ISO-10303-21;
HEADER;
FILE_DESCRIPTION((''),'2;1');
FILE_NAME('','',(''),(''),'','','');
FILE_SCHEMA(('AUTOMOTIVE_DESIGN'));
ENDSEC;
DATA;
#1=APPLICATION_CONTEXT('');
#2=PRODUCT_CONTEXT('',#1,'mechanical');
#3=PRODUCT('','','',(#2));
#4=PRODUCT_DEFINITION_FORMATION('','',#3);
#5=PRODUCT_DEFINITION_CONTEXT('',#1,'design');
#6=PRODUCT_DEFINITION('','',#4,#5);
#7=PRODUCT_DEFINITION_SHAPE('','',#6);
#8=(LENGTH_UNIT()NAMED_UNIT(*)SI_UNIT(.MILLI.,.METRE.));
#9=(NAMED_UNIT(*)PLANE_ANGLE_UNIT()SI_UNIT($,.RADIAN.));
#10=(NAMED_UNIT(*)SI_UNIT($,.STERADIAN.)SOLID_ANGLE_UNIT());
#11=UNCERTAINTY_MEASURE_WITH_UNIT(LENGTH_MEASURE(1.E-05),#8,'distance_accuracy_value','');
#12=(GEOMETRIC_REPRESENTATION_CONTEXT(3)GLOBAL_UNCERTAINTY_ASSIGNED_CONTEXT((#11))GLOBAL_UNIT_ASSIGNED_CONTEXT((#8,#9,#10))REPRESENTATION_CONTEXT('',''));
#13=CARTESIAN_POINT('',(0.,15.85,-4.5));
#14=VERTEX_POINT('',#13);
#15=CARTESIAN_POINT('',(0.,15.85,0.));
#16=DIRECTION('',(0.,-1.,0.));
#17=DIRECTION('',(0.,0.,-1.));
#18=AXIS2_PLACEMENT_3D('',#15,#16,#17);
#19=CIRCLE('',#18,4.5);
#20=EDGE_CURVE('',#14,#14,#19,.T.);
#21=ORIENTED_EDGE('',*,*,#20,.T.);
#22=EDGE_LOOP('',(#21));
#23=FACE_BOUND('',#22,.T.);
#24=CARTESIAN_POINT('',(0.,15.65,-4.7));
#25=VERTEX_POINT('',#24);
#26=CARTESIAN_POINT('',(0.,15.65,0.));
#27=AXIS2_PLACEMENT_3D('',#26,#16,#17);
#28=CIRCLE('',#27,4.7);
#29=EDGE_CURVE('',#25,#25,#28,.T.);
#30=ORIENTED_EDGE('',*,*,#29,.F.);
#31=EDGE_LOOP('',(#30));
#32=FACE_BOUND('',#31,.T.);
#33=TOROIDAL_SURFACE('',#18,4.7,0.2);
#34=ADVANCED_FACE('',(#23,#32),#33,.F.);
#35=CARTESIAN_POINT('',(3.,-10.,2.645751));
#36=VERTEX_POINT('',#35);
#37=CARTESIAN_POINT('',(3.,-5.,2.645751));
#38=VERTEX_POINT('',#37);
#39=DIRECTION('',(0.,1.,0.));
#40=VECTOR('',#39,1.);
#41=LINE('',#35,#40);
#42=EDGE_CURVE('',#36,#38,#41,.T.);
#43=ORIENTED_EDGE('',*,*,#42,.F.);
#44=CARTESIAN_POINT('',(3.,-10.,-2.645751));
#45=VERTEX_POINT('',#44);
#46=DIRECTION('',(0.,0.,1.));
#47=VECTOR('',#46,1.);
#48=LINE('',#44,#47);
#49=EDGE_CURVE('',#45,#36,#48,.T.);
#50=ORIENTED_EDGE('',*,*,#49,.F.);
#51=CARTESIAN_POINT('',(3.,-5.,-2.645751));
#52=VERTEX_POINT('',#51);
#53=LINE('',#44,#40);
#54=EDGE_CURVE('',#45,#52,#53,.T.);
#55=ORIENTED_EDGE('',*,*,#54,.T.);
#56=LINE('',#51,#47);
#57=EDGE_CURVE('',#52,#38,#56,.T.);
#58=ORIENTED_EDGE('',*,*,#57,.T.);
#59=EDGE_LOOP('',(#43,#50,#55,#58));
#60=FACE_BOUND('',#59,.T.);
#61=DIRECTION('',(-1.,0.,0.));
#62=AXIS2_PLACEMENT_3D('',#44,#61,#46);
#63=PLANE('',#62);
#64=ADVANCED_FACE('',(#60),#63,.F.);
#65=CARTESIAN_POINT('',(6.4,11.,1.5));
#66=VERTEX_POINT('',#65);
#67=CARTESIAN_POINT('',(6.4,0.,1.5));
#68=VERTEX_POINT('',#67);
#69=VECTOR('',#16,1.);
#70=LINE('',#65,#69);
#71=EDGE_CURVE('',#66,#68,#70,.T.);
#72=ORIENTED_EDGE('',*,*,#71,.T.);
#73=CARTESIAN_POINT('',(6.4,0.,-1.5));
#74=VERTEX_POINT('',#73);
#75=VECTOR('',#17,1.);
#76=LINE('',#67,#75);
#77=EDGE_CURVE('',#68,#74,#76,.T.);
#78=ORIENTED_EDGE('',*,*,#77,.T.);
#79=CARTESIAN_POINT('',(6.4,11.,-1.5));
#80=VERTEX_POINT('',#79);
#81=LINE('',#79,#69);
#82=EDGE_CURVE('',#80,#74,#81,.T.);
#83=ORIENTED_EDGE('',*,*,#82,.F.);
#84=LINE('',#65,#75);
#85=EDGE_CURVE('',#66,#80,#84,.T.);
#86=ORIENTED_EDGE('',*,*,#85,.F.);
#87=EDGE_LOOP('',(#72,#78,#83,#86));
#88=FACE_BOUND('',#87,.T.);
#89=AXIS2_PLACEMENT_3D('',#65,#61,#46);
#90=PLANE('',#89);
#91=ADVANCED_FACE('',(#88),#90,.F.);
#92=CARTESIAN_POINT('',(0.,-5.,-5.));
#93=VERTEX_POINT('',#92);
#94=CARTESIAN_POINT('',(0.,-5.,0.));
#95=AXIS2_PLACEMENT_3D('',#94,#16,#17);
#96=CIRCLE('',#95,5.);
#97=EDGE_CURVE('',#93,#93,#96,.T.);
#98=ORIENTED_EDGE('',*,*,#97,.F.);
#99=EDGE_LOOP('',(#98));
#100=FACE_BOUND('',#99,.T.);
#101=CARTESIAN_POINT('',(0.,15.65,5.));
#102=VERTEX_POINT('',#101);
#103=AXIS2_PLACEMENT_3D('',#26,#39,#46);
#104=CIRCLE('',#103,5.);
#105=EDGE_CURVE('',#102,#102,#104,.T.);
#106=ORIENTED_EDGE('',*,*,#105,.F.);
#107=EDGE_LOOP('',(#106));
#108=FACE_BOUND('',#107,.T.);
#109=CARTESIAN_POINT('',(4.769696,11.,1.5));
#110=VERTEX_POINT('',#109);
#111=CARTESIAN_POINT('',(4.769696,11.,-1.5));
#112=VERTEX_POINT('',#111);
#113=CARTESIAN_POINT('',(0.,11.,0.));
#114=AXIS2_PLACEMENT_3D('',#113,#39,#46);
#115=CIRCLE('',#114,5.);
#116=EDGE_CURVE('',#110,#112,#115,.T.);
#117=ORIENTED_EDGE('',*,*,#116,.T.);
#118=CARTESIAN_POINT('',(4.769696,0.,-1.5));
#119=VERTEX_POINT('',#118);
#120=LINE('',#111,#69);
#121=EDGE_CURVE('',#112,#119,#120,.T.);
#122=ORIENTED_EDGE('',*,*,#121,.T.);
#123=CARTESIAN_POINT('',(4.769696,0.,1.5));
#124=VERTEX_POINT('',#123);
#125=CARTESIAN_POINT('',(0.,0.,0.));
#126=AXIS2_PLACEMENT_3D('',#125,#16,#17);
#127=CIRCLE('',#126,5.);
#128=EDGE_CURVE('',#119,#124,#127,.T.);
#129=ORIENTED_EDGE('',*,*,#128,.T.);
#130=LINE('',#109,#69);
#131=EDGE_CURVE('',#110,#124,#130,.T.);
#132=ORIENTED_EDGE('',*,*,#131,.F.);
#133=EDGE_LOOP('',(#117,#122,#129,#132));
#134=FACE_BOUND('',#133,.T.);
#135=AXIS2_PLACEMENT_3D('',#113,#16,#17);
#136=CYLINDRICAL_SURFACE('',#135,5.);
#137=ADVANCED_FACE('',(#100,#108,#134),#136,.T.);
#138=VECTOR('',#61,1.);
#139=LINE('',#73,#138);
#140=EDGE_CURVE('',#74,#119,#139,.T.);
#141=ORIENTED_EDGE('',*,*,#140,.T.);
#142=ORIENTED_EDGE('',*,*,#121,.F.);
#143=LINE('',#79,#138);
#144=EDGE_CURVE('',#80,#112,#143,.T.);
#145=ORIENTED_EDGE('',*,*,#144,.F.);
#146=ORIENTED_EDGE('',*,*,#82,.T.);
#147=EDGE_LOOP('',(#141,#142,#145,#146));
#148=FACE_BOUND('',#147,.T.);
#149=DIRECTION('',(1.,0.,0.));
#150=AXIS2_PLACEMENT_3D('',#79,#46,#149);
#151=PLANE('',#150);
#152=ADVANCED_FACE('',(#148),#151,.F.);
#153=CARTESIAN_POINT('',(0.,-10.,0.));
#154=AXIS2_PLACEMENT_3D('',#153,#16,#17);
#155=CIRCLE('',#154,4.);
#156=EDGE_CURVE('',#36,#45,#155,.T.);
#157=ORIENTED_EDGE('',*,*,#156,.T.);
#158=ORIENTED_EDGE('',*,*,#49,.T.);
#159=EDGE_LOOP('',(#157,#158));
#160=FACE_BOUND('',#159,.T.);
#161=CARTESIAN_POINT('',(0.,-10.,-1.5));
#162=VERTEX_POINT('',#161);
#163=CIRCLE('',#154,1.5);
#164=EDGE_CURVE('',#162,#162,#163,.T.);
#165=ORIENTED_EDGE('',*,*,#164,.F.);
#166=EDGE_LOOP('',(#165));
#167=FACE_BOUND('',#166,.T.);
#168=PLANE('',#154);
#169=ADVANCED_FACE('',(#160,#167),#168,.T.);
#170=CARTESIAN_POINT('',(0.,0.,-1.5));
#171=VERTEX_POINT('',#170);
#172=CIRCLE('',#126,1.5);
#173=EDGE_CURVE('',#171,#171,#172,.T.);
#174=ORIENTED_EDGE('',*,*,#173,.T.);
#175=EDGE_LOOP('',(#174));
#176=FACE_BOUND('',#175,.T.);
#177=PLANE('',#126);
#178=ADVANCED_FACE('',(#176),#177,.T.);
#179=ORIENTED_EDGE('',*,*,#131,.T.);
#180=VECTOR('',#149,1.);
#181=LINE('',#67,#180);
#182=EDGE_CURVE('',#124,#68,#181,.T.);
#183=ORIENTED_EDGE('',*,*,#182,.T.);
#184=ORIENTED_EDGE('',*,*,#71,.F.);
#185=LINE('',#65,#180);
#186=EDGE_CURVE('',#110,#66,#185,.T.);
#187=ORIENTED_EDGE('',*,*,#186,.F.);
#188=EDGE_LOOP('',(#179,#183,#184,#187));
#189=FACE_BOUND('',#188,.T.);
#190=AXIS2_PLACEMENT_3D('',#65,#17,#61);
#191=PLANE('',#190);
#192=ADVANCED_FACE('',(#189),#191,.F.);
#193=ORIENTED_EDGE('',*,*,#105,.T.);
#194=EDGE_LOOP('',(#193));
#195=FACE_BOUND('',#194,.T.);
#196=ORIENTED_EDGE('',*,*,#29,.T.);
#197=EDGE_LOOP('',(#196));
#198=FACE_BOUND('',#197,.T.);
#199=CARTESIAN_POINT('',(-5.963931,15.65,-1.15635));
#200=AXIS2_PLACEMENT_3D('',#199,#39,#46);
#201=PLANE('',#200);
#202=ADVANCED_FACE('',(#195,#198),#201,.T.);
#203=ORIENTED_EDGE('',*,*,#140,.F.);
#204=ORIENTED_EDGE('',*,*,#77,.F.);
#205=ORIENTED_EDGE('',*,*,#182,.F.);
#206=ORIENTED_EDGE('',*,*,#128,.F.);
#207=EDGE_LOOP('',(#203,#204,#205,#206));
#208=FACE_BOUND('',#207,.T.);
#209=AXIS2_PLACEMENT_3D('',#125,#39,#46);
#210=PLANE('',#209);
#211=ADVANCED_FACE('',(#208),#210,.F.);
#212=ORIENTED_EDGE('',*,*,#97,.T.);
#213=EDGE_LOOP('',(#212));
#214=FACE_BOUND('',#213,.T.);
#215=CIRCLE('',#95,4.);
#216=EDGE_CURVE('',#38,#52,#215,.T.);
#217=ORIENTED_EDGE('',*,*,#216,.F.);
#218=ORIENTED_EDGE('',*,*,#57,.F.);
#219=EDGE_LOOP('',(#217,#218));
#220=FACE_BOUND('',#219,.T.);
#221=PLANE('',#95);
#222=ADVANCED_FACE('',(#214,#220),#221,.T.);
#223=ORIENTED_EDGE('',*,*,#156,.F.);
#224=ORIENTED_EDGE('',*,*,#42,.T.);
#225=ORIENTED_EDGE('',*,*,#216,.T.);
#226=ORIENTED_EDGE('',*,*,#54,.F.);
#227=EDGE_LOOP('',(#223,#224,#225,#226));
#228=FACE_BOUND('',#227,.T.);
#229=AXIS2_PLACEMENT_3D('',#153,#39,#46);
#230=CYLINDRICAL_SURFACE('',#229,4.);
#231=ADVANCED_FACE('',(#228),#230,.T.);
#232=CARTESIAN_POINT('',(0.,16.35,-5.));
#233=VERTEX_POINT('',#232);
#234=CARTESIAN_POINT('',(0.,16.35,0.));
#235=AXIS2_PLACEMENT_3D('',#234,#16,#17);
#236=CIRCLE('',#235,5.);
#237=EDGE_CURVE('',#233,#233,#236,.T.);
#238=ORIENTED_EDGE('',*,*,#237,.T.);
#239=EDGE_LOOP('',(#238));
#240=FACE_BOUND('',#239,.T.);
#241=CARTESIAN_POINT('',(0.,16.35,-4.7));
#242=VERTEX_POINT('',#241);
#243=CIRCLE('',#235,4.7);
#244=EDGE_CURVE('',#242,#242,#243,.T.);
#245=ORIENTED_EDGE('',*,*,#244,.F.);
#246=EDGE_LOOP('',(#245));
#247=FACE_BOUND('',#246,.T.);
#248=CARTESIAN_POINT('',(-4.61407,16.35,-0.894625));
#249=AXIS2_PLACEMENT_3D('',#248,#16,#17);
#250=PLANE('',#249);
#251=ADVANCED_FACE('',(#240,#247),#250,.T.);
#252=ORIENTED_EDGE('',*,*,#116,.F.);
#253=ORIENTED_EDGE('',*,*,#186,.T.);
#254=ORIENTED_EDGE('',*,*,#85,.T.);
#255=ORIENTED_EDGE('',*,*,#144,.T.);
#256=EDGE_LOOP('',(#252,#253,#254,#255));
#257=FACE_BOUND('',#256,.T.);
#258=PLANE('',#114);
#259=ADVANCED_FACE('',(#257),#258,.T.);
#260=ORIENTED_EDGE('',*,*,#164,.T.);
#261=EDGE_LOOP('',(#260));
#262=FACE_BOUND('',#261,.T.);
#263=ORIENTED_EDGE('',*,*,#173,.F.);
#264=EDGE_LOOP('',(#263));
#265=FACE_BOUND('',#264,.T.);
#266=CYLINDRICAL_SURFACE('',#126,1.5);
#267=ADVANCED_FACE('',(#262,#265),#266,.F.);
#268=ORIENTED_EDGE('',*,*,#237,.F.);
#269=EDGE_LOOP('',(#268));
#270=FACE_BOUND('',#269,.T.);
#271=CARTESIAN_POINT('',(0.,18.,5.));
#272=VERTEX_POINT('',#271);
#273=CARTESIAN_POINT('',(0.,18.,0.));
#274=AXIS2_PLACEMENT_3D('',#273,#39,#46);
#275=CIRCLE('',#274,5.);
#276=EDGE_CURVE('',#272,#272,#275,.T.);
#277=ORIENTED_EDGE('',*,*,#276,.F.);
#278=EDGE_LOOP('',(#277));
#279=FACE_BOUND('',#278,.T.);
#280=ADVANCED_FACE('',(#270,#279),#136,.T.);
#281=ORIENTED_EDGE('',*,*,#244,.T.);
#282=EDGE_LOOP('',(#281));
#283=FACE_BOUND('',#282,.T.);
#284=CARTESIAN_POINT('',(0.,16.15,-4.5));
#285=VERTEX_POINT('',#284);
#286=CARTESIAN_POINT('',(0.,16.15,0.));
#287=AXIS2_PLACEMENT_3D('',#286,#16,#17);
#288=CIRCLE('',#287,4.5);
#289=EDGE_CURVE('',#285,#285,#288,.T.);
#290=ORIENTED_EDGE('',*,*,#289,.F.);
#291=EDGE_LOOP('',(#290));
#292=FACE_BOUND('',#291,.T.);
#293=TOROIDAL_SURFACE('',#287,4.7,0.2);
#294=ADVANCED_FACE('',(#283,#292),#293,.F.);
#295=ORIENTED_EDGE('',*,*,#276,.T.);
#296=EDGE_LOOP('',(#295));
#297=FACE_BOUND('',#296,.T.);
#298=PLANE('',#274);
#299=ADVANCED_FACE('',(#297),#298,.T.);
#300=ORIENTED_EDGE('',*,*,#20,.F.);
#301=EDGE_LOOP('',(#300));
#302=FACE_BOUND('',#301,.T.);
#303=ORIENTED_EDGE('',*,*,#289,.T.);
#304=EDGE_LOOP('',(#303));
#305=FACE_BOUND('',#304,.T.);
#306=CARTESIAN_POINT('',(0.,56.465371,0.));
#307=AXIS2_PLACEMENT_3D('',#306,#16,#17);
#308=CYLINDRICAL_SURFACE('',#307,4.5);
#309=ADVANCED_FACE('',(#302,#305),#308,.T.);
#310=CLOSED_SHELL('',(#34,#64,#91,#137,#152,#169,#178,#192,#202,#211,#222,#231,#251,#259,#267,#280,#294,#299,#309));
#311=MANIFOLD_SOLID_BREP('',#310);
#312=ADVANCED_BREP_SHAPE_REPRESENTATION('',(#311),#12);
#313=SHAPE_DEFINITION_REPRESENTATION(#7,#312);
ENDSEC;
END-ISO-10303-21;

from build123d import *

# Parameters (mm, degrees)
BOSS_EXTRUDE1_DEPTH = 11
SKETCH2_R           = 5
BOSS_EXTRUDE2_DEPTH = 7
BOSS_EXTRUDE3_START = 5
SKETCH3_R           = 5
BOSS_EXTRUDE3_DEPTH = 5
SKETCH4_R           = 1.5
CUT_EXTRUDE1_DEPTH  = 5
BOSS_EXTRUDE4_START = 5
SKETCH5_R           = 1.5
BOSS_EXTRUDE4_DEPTH = 5


with BuildPart() as part:
    # Sketch1 → Boss-Extrude1 (new body)
    with BuildSketch(Plane(origin=(0, 0, 0), x_dir=(1, 0, 0), z_dir=(0, 1, 0))):
        with BuildLine():
            Line((6.4, -1.5), (6.4, 1.5))
            Line((6.4, 1.5), (4.769696007, 1.5))
            ThreePointArc((4.769696007, 1.5), (-5, 0), (4.769696007, -1.5))
            Line((4.769696007, -1.5), (6.4, -1.5))
        make_face()
    extrude(amount=BOSS_EXTRUDE1_DEPTH)

    # Sketch2 → Boss-Extrude2 (add)
    with BuildSketch(Plane(origin=(0, 11, 0), x_dir=(1, 0, 0), z_dir=(0, 1, 0))):
        with Locations(Location((0, 0, 0), (0, 0, 17.457603124))):
            Circle(SKETCH2_R)
    extrude(amount=BOSS_EXTRUDE2_DEPTH)

    # Sketch3 → Boss-Extrude3 (add)
    with BuildSketch(Plane.XZ.offset(BOSS_EXTRUDE3_START)):
        with Locations(Location((0, 0, 0), (0, 0, 270))):
            Circle(SKETCH3_R)
    extrude(amount=-BOSS_EXTRUDE3_DEPTH)

    # Sketch4 → Cut-Extrude1 (cut)
    with BuildSketch(Plane.XZ.offset(5)):
        with Locations(Location((0, 0, 0), (0, 0, 270))):
            Circle(SKETCH4_R)
    extrude(amount=-CUT_EXTRUDE1_DEPTH, mode=Mode.SUBTRACT)

    # Groove Sketch → Retaining Ring Groove (revolve, cut)
    with BuildSketch(Plane(origin=(2.625078192, 11.422429342, 0.508978061), x_dir=(-0.8829601883454016, 0.43711857808393034, -0.17119770585768931), z_dir=(-0.19034574864175483, 0, 0.9817171160645056)), mode=Mode.PRIVATE) as retaining_ring_groove_sk:
        with BuildLine():
            Line((8.786106351, -1.208578661), (10.022786693, -0.607540616))
            Line((10.022786693, -0.607540616), (9.716803689, 0.022042104))
            Line((9.716803689, 0.022042104), (8.480123346, -0.578995941))
            ThreePointArc((8.480123346, -0.578995941), (8.378534243, -0.693499703), (8.387666285, -0.846300434))
            Line((8.387666285, -0.846300434), (8.518801858, -1.116121599))
            ThreePointArc((8.518801858, -1.116121599), (8.63330562, -1.217710703), (8.786106351, -1.208578661))
        make_face()
    revolve(retaining_ring_groove_sk.sketch.rotate(Axis((0, 56.465370667, 0), (0, -1, 0)), 79.027037624), axis=Axis((0, 56.465370667, 0), (0, -1, 0)), mode=Mode.SUBTRACT)

    # Sketch5 → Boss-Extrude4 (add)
    with BuildSketch(Plane.XZ.offset(5).offset(BOSS_EXTRUDE4_START)):
        with BuildLine():
            Line((3, -2.645751311), (3, 2.645751311))
            ThreePointArc((3, 2.645751311), (-4, 0), (3, -2.645751311))
        make_face()
        with Locations(Location((0, 0, 0), (0, 0, 270))):
            Circle(SKETCH5_R, mode=Mode.SUBTRACT)
    extrude(amount=-BOSS_EXTRUDE4_DEPTH)


solid = part.part
